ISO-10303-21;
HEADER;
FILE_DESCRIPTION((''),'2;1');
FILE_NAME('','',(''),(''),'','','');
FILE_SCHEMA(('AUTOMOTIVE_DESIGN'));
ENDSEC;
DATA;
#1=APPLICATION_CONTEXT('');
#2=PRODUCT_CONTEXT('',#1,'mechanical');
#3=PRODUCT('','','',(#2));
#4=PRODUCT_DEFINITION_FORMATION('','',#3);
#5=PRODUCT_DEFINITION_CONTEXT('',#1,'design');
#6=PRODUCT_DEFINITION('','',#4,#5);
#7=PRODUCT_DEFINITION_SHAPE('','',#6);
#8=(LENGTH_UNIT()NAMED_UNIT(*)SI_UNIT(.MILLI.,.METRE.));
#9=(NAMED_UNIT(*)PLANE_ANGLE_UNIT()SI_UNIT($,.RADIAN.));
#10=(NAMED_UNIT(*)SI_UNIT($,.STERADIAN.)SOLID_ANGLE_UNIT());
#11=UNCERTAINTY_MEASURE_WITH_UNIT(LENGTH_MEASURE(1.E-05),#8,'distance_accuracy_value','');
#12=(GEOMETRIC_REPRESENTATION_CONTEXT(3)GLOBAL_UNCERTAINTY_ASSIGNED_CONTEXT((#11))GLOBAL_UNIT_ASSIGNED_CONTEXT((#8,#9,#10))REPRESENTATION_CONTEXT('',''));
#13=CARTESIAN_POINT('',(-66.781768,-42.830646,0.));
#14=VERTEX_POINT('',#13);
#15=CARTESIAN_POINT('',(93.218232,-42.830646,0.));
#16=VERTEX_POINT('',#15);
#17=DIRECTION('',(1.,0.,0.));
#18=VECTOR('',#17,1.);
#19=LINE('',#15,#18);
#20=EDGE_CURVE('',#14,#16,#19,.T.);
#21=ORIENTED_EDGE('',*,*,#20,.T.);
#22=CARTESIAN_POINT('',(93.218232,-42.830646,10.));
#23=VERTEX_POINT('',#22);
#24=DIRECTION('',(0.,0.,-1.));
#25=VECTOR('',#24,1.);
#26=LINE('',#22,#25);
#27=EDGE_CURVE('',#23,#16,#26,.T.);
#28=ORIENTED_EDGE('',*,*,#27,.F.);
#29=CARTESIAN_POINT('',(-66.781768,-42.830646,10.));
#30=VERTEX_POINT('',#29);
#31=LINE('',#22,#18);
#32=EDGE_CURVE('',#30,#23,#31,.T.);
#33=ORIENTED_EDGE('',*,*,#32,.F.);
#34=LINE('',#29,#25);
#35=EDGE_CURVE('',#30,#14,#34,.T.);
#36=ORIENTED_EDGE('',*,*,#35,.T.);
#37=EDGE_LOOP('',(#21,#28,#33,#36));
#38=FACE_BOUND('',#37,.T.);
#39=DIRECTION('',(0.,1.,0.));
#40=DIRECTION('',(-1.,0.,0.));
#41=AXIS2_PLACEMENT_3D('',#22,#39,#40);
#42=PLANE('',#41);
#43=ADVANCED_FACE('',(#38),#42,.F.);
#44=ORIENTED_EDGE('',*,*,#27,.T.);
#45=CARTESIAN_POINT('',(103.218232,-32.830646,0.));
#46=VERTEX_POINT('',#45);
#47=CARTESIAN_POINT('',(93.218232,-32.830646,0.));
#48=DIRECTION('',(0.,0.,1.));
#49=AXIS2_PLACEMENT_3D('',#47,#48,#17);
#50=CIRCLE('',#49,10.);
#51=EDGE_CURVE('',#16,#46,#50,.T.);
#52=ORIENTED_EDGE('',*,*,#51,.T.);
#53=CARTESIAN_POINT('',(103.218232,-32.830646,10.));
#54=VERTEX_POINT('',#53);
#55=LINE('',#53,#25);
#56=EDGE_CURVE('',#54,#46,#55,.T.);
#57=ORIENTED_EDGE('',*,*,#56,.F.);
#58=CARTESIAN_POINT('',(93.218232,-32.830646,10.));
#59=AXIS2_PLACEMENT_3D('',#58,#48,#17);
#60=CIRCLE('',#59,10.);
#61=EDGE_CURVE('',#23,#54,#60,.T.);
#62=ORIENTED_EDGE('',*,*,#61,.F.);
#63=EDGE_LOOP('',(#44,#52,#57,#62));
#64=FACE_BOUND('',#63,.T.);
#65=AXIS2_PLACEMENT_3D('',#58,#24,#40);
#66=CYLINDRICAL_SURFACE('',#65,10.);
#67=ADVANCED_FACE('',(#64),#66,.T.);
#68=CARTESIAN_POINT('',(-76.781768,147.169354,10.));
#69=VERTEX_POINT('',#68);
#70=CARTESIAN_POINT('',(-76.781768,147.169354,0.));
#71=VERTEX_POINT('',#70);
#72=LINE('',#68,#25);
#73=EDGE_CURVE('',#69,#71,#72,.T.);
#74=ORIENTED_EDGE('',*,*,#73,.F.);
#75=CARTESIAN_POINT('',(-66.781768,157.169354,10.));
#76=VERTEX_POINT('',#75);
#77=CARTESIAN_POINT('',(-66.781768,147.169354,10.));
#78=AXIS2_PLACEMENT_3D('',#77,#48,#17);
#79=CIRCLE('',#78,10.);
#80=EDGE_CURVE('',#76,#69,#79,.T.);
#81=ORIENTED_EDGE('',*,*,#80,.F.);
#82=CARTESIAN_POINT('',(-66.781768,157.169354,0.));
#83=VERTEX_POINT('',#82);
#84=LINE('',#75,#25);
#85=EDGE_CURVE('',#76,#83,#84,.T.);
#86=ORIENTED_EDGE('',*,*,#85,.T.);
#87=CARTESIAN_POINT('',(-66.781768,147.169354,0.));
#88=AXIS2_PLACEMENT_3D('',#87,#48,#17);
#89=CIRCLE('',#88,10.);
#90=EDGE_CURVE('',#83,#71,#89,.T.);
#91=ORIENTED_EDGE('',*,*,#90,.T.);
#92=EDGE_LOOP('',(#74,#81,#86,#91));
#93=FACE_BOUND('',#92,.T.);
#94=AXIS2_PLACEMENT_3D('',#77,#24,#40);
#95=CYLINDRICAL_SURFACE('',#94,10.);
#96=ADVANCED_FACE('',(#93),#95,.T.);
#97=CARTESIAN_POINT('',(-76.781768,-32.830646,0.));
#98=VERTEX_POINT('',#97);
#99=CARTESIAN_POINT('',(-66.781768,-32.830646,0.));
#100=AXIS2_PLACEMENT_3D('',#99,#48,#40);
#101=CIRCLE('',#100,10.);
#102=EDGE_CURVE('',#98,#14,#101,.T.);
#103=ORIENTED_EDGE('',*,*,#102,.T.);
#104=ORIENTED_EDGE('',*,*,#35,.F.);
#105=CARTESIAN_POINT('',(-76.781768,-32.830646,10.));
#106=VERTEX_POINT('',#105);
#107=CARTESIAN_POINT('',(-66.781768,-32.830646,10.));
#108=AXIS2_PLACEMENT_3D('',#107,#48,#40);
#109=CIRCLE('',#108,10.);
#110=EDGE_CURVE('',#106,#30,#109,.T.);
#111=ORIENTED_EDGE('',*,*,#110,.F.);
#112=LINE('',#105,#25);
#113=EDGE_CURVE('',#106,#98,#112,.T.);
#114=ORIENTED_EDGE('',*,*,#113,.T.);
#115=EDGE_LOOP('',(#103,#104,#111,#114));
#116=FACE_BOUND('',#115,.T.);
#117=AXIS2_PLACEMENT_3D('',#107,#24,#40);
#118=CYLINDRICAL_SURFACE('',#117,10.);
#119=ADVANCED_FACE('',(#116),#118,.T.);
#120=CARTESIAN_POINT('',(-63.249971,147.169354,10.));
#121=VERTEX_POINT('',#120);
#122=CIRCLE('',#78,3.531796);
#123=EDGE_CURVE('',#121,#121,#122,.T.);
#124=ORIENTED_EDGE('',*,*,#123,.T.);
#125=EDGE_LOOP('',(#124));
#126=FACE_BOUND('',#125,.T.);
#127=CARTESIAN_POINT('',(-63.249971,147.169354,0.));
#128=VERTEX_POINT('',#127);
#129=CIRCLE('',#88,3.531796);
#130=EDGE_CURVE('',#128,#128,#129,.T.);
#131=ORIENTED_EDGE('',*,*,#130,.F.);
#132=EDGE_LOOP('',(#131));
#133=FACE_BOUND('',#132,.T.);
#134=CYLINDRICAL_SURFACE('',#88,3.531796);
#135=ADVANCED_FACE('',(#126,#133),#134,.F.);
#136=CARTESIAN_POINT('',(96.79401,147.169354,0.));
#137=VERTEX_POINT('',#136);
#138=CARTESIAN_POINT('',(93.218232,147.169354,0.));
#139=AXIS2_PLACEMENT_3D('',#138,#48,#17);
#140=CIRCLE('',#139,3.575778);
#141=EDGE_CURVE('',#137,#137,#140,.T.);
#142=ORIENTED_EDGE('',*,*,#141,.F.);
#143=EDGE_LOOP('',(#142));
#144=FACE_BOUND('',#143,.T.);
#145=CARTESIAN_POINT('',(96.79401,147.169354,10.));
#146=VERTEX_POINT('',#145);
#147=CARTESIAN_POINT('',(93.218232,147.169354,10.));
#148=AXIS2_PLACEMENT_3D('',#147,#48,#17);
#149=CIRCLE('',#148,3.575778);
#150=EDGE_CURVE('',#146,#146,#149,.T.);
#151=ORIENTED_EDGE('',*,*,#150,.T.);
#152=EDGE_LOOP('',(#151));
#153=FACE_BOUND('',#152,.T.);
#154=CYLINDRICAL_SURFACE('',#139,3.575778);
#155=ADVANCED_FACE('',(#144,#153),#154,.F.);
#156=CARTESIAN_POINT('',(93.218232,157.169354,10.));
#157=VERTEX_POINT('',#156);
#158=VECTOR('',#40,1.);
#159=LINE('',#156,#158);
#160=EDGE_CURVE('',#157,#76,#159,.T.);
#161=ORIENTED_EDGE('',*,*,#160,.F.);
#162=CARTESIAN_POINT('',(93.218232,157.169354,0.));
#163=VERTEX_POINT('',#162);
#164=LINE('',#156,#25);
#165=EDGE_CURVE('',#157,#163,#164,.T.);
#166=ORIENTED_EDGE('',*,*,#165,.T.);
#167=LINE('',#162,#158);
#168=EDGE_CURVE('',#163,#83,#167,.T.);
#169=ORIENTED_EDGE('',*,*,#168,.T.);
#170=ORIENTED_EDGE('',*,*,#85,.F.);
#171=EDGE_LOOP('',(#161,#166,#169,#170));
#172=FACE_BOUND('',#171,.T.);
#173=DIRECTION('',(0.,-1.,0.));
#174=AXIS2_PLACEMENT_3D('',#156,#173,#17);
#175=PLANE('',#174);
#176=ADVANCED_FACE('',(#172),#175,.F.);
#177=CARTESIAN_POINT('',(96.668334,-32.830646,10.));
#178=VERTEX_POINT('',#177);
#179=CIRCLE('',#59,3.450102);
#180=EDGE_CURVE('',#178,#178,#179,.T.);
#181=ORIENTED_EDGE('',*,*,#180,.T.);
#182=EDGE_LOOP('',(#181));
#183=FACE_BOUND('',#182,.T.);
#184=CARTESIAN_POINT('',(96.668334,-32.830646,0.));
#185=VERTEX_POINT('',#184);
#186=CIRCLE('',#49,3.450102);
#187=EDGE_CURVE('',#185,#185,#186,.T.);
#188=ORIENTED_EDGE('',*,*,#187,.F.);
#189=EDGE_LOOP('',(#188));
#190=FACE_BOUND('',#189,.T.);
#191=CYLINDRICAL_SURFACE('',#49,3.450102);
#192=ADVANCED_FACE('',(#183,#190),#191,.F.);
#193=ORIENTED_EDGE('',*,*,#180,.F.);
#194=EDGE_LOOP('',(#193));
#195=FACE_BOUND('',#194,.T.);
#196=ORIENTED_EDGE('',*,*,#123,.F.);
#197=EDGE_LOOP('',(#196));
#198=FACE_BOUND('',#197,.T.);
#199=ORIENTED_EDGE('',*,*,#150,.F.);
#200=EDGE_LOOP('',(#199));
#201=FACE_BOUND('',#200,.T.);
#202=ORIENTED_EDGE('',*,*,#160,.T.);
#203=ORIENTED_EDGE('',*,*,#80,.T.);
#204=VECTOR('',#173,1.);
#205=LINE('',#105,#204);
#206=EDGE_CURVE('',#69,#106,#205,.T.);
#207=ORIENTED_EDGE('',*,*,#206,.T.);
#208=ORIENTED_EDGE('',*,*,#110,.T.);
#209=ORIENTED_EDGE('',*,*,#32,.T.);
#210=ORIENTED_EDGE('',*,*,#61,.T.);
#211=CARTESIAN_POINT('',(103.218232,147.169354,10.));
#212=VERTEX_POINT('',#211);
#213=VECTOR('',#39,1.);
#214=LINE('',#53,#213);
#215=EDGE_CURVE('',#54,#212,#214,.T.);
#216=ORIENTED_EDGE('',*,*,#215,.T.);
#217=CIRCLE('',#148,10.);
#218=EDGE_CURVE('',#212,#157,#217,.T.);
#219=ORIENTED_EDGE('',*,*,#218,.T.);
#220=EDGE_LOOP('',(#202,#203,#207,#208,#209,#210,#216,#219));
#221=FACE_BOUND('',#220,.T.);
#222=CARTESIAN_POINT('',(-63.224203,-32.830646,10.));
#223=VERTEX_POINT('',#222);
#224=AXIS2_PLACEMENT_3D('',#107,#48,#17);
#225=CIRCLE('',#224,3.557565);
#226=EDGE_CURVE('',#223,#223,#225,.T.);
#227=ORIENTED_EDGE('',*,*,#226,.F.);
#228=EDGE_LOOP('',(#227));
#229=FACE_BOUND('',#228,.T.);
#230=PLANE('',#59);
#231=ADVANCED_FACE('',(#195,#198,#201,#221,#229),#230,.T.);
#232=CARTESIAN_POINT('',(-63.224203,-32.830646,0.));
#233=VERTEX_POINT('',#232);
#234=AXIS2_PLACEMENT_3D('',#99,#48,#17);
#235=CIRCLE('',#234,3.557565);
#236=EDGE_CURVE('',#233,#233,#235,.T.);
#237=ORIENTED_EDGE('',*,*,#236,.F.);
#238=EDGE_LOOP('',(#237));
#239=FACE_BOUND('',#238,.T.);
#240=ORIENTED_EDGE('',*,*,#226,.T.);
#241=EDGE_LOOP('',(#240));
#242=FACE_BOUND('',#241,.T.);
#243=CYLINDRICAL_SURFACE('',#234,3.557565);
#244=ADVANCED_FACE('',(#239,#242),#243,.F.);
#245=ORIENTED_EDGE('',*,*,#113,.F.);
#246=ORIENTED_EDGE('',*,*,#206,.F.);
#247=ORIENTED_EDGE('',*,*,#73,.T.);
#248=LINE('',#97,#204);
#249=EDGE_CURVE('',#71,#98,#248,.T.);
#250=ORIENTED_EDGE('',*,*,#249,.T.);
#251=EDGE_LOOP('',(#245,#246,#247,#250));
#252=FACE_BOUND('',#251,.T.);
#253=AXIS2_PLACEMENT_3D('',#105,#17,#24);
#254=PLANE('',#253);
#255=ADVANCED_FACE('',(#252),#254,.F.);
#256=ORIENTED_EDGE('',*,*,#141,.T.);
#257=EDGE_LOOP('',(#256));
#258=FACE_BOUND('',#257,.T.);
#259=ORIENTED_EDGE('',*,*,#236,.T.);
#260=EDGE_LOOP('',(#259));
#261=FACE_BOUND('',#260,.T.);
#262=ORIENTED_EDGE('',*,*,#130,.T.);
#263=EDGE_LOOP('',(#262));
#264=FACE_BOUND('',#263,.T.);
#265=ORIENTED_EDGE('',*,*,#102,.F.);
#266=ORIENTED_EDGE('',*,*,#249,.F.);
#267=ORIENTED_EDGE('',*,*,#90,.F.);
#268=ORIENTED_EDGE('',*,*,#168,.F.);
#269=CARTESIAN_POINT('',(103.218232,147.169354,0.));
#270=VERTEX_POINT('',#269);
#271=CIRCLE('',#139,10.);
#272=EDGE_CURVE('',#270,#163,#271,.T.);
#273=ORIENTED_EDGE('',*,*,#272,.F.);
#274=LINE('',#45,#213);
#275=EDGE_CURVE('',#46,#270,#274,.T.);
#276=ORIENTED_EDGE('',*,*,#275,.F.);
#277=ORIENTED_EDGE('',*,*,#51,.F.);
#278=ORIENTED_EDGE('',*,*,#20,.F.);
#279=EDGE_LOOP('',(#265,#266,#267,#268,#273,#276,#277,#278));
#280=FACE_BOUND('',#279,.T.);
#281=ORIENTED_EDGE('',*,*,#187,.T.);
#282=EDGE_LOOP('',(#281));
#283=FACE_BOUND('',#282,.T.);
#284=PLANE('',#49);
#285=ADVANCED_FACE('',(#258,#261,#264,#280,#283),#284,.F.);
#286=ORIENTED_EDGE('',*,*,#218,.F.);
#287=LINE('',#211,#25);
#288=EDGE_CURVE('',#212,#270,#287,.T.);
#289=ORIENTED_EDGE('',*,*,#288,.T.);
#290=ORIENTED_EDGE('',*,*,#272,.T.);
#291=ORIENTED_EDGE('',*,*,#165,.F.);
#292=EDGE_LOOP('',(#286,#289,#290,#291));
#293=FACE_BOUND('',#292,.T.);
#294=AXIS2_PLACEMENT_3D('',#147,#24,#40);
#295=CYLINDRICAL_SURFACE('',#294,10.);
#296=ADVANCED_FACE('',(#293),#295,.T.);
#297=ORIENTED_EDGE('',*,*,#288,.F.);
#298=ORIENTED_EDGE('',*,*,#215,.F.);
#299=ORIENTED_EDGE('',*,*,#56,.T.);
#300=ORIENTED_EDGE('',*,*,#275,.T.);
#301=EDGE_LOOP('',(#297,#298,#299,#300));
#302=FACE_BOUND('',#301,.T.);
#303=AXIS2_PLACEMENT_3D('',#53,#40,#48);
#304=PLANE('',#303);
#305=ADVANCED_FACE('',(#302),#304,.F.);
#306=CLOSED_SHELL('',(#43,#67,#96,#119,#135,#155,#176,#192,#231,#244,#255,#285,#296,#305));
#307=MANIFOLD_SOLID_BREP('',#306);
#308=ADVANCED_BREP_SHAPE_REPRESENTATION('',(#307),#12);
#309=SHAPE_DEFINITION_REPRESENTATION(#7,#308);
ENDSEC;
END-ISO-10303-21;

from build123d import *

# Parameters (mm, degrees)
BOSS_EXTRUDE1_DEPTH = 10
SKETCH3_R           = 3.557564602
SKETCH3_R_2         = 3.450101743
SKETCH3_R_3         = 3.575777986
SKETCH3_R_4         = 3.531796189
CUT_EXTRUDE3_DEPTH  = 10


with BuildPart() as part:
    # Sketch1 → Boss-Extrude1 (new body)
    with BuildSketch(Plane.XY):
        with BuildLine():
            Line((93.218232421, -42.83064586), (-66.781767579, -42.83064586))
            ThreePointArc((-66.781767579, -42.83064586), (-73.852835391, -39.901713672), (-76.781767579, -32.83064586))
            Line((-76.781767579, -32.83064586), (-76.781767579, 147.16935414))
            ThreePointArc((-76.781767579, 147.16935414), (-73.852835391, 154.240421952), (-66.781767579, 157.16935414))
            Line((-66.781767579, 157.16935414), (93.218232421, 157.16935414))
            ThreePointArc((93.218232421, 157.16935414), (100.289300233, 154.240421952), (103.218232421, 147.16935414))
            Line((103.218232421, 147.16935414), (103.218232421, -32.83064586))
            ThreePointArc((103.218232421, -32.83064586), (100.289300233, -39.901713672), (93.218232421, -42.83064586))
        make_face()
    extrude(amount=BOSS_EXTRUDE1_DEPTH)

    # Sketch3 → Cut-Extrude3 (cut)
    with BuildSketch(Plane.XY.offset(10)):
        with Locations((-66.781767579, -32.83064586)):
            Circle(SKETCH3_R)
        with Locations((93.218232421, -32.83064586)):
            Circle(SKETCH3_R_2)
        with Locations((93.218232421, 147.16935414)):
            Circle(SKETCH3_R_3)
        with Locations((-66.781767579, 147.16935414)):
            Circle(SKETCH3_R_4)
    extrude(amount=-CUT_EXTRUDE3_DEPTH, mode=Mode.SUBTRACT)


solid = part.part
